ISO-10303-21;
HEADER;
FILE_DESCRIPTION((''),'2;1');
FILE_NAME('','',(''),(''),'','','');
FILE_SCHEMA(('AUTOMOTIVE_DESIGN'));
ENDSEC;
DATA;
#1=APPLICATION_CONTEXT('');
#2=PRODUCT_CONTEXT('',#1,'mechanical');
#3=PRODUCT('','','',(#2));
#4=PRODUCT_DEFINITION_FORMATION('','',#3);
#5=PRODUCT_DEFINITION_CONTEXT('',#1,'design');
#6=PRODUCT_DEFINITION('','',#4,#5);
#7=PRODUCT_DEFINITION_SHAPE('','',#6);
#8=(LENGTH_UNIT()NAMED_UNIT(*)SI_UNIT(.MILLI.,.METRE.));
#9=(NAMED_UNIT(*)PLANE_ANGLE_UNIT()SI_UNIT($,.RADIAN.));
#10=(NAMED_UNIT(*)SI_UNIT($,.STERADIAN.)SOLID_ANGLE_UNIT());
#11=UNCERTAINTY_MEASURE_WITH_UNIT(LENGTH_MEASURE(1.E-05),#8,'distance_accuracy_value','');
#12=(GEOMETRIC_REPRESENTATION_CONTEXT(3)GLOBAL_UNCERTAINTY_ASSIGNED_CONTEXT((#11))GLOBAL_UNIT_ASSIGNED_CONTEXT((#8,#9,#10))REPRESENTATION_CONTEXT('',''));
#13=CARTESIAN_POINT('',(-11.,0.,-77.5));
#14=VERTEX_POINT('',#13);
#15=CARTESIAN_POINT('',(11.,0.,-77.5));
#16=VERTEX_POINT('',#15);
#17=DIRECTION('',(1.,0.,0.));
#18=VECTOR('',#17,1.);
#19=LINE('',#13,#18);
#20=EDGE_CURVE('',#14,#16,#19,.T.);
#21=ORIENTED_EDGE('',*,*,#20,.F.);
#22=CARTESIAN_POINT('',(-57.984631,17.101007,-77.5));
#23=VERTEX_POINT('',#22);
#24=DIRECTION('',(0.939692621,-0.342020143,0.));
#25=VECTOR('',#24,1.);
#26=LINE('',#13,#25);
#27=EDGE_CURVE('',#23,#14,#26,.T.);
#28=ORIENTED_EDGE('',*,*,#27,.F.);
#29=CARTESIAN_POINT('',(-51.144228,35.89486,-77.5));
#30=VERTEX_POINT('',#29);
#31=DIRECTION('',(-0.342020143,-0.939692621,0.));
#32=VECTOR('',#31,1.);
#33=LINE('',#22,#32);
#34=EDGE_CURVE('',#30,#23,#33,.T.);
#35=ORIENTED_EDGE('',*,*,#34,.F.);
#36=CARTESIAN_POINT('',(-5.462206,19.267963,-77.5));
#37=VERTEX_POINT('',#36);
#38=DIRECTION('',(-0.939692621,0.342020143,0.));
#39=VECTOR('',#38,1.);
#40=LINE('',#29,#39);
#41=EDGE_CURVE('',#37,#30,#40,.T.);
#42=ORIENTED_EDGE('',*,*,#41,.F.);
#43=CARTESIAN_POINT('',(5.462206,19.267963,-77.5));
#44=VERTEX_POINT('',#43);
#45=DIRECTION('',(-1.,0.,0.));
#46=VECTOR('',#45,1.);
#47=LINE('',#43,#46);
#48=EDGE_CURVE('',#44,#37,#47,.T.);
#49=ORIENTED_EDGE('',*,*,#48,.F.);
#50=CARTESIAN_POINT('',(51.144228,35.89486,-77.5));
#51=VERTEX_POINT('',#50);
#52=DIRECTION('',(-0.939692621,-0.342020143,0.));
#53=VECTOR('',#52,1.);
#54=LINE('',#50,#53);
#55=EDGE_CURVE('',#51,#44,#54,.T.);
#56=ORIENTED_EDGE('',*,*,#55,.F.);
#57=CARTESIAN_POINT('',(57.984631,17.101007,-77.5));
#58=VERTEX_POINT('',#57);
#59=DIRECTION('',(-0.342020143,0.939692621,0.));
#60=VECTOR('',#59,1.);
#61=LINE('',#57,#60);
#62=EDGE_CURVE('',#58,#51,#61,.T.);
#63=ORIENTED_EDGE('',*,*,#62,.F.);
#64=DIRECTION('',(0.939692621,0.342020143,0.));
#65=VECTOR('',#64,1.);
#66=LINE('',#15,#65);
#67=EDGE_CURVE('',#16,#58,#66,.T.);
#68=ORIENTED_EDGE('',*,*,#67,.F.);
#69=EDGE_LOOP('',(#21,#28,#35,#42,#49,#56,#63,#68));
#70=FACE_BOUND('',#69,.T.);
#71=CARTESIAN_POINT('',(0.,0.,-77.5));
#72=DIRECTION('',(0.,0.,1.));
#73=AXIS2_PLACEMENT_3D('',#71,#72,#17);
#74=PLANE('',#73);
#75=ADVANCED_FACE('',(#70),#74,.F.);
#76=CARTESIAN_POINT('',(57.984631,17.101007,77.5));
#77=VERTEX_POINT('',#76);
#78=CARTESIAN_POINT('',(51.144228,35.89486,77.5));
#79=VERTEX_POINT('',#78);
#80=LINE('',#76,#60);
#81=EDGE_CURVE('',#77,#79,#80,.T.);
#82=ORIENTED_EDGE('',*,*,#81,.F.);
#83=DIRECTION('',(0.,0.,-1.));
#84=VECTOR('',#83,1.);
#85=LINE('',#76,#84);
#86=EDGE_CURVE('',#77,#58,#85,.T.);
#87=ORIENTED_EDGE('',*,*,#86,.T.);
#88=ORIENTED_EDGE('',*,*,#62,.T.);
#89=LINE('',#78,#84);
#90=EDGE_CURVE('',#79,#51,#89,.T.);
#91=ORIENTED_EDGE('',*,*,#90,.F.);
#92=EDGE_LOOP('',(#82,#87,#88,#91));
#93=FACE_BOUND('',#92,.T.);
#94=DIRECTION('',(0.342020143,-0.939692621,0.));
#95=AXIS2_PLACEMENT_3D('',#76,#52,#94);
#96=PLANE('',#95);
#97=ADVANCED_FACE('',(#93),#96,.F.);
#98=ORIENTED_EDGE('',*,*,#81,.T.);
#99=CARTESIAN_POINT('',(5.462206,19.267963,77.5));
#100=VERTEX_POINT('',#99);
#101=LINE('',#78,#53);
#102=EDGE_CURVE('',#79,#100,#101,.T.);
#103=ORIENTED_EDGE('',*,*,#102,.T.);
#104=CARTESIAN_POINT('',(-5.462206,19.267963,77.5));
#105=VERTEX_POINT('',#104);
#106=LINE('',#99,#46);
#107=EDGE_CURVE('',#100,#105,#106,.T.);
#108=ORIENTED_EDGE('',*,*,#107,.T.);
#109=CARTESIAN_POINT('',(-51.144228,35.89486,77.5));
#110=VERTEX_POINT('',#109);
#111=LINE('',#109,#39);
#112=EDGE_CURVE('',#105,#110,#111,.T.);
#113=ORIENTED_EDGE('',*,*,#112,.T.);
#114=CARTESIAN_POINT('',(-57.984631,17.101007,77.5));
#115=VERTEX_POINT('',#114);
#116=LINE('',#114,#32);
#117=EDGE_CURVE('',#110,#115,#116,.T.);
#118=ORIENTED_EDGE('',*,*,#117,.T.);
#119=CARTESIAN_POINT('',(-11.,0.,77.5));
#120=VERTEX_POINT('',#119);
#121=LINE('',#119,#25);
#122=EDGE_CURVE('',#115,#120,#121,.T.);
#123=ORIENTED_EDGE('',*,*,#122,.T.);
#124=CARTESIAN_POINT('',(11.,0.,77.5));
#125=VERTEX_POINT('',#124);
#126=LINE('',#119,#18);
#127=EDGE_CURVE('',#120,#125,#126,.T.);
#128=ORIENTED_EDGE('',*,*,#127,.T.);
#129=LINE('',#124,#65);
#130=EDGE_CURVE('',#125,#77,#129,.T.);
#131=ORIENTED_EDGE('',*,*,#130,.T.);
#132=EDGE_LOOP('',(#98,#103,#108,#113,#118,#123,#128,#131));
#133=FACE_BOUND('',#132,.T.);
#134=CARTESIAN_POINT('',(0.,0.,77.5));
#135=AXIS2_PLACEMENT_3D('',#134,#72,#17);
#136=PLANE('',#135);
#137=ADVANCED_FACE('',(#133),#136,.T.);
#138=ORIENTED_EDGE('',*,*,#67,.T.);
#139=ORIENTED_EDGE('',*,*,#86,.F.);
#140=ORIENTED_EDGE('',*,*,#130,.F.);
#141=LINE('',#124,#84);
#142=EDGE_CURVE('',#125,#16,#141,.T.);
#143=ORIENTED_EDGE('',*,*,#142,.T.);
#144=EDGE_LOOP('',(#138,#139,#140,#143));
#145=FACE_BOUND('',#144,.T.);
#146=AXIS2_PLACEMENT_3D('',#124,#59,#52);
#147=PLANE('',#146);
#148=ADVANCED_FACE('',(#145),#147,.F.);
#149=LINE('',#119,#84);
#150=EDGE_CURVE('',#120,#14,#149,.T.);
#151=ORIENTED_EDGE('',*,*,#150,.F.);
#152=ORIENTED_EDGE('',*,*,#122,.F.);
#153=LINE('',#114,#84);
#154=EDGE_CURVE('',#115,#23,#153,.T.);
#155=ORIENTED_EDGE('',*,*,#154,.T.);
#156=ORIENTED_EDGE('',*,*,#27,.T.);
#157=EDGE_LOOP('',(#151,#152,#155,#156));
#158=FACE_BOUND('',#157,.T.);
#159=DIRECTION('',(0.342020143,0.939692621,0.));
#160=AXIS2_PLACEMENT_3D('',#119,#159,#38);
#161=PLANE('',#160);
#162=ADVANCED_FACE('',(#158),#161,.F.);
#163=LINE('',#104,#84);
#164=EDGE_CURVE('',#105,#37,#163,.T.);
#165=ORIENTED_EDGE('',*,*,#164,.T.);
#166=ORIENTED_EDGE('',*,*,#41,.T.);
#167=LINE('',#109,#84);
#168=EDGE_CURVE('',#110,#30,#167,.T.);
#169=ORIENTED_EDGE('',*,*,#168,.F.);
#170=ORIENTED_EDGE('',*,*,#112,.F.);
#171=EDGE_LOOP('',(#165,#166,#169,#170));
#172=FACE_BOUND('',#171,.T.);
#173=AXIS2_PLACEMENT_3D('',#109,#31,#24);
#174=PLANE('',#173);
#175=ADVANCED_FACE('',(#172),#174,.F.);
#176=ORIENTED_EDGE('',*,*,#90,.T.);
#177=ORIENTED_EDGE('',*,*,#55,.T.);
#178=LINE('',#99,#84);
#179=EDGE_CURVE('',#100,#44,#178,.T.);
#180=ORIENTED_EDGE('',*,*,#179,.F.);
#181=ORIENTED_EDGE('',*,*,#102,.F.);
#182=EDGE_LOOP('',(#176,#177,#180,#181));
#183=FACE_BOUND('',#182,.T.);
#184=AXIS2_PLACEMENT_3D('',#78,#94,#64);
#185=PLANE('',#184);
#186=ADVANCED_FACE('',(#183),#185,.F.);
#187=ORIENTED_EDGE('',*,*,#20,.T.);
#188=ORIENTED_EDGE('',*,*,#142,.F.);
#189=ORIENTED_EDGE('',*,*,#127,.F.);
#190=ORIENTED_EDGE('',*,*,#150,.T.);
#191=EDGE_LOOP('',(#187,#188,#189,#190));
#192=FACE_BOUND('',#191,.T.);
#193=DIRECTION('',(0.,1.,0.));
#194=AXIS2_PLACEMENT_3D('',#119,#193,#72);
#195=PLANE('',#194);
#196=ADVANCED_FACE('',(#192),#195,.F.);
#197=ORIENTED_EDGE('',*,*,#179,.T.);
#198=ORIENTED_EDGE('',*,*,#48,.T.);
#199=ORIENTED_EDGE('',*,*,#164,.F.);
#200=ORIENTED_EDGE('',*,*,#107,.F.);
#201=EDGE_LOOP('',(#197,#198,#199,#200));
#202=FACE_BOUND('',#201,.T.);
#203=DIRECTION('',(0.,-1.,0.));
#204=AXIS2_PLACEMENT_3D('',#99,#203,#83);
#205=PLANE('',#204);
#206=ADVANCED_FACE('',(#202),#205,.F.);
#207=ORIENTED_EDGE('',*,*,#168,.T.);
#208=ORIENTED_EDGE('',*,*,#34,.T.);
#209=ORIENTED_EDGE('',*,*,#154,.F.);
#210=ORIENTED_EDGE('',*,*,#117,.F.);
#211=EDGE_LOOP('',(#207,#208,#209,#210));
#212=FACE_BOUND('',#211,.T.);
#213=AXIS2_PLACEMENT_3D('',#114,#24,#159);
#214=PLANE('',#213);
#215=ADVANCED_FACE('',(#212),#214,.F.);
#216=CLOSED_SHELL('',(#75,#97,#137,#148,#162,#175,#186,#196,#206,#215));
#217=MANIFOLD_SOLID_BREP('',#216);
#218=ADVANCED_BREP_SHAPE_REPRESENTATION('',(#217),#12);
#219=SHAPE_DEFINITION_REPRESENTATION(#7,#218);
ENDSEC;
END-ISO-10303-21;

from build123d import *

# Parameters (mm, degrees)
BOSS_EXTRUDE2_DEPTH      = 77.5
BOSS_EXTRUDE2_DEPTH_BACK = 77.5


with BuildPart() as part:
    # Sketch7 → Boss-Extrude2 (new, two sides: drawn at the far end of the back side and taken through both)
    with BuildSketch(Plane.XY.offset(-BOSS_EXTRUDE2_DEPTH_BACK)):
        Polygon((-11, 0), (11, 0), (57.984631039, 17.101007166), (51.144228173, 35.894859582), (5.462206168, 19.267963331), (-5.462206168, 19.267963331), (-51.144228173, 35.894859582), (-57.984631039, 17.101007166), align=None)
    extrude(amount=BOSS_EXTRUDE2_DEPTH + BOSS_EXTRUDE2_DEPTH_BACK)


solid = part.part
